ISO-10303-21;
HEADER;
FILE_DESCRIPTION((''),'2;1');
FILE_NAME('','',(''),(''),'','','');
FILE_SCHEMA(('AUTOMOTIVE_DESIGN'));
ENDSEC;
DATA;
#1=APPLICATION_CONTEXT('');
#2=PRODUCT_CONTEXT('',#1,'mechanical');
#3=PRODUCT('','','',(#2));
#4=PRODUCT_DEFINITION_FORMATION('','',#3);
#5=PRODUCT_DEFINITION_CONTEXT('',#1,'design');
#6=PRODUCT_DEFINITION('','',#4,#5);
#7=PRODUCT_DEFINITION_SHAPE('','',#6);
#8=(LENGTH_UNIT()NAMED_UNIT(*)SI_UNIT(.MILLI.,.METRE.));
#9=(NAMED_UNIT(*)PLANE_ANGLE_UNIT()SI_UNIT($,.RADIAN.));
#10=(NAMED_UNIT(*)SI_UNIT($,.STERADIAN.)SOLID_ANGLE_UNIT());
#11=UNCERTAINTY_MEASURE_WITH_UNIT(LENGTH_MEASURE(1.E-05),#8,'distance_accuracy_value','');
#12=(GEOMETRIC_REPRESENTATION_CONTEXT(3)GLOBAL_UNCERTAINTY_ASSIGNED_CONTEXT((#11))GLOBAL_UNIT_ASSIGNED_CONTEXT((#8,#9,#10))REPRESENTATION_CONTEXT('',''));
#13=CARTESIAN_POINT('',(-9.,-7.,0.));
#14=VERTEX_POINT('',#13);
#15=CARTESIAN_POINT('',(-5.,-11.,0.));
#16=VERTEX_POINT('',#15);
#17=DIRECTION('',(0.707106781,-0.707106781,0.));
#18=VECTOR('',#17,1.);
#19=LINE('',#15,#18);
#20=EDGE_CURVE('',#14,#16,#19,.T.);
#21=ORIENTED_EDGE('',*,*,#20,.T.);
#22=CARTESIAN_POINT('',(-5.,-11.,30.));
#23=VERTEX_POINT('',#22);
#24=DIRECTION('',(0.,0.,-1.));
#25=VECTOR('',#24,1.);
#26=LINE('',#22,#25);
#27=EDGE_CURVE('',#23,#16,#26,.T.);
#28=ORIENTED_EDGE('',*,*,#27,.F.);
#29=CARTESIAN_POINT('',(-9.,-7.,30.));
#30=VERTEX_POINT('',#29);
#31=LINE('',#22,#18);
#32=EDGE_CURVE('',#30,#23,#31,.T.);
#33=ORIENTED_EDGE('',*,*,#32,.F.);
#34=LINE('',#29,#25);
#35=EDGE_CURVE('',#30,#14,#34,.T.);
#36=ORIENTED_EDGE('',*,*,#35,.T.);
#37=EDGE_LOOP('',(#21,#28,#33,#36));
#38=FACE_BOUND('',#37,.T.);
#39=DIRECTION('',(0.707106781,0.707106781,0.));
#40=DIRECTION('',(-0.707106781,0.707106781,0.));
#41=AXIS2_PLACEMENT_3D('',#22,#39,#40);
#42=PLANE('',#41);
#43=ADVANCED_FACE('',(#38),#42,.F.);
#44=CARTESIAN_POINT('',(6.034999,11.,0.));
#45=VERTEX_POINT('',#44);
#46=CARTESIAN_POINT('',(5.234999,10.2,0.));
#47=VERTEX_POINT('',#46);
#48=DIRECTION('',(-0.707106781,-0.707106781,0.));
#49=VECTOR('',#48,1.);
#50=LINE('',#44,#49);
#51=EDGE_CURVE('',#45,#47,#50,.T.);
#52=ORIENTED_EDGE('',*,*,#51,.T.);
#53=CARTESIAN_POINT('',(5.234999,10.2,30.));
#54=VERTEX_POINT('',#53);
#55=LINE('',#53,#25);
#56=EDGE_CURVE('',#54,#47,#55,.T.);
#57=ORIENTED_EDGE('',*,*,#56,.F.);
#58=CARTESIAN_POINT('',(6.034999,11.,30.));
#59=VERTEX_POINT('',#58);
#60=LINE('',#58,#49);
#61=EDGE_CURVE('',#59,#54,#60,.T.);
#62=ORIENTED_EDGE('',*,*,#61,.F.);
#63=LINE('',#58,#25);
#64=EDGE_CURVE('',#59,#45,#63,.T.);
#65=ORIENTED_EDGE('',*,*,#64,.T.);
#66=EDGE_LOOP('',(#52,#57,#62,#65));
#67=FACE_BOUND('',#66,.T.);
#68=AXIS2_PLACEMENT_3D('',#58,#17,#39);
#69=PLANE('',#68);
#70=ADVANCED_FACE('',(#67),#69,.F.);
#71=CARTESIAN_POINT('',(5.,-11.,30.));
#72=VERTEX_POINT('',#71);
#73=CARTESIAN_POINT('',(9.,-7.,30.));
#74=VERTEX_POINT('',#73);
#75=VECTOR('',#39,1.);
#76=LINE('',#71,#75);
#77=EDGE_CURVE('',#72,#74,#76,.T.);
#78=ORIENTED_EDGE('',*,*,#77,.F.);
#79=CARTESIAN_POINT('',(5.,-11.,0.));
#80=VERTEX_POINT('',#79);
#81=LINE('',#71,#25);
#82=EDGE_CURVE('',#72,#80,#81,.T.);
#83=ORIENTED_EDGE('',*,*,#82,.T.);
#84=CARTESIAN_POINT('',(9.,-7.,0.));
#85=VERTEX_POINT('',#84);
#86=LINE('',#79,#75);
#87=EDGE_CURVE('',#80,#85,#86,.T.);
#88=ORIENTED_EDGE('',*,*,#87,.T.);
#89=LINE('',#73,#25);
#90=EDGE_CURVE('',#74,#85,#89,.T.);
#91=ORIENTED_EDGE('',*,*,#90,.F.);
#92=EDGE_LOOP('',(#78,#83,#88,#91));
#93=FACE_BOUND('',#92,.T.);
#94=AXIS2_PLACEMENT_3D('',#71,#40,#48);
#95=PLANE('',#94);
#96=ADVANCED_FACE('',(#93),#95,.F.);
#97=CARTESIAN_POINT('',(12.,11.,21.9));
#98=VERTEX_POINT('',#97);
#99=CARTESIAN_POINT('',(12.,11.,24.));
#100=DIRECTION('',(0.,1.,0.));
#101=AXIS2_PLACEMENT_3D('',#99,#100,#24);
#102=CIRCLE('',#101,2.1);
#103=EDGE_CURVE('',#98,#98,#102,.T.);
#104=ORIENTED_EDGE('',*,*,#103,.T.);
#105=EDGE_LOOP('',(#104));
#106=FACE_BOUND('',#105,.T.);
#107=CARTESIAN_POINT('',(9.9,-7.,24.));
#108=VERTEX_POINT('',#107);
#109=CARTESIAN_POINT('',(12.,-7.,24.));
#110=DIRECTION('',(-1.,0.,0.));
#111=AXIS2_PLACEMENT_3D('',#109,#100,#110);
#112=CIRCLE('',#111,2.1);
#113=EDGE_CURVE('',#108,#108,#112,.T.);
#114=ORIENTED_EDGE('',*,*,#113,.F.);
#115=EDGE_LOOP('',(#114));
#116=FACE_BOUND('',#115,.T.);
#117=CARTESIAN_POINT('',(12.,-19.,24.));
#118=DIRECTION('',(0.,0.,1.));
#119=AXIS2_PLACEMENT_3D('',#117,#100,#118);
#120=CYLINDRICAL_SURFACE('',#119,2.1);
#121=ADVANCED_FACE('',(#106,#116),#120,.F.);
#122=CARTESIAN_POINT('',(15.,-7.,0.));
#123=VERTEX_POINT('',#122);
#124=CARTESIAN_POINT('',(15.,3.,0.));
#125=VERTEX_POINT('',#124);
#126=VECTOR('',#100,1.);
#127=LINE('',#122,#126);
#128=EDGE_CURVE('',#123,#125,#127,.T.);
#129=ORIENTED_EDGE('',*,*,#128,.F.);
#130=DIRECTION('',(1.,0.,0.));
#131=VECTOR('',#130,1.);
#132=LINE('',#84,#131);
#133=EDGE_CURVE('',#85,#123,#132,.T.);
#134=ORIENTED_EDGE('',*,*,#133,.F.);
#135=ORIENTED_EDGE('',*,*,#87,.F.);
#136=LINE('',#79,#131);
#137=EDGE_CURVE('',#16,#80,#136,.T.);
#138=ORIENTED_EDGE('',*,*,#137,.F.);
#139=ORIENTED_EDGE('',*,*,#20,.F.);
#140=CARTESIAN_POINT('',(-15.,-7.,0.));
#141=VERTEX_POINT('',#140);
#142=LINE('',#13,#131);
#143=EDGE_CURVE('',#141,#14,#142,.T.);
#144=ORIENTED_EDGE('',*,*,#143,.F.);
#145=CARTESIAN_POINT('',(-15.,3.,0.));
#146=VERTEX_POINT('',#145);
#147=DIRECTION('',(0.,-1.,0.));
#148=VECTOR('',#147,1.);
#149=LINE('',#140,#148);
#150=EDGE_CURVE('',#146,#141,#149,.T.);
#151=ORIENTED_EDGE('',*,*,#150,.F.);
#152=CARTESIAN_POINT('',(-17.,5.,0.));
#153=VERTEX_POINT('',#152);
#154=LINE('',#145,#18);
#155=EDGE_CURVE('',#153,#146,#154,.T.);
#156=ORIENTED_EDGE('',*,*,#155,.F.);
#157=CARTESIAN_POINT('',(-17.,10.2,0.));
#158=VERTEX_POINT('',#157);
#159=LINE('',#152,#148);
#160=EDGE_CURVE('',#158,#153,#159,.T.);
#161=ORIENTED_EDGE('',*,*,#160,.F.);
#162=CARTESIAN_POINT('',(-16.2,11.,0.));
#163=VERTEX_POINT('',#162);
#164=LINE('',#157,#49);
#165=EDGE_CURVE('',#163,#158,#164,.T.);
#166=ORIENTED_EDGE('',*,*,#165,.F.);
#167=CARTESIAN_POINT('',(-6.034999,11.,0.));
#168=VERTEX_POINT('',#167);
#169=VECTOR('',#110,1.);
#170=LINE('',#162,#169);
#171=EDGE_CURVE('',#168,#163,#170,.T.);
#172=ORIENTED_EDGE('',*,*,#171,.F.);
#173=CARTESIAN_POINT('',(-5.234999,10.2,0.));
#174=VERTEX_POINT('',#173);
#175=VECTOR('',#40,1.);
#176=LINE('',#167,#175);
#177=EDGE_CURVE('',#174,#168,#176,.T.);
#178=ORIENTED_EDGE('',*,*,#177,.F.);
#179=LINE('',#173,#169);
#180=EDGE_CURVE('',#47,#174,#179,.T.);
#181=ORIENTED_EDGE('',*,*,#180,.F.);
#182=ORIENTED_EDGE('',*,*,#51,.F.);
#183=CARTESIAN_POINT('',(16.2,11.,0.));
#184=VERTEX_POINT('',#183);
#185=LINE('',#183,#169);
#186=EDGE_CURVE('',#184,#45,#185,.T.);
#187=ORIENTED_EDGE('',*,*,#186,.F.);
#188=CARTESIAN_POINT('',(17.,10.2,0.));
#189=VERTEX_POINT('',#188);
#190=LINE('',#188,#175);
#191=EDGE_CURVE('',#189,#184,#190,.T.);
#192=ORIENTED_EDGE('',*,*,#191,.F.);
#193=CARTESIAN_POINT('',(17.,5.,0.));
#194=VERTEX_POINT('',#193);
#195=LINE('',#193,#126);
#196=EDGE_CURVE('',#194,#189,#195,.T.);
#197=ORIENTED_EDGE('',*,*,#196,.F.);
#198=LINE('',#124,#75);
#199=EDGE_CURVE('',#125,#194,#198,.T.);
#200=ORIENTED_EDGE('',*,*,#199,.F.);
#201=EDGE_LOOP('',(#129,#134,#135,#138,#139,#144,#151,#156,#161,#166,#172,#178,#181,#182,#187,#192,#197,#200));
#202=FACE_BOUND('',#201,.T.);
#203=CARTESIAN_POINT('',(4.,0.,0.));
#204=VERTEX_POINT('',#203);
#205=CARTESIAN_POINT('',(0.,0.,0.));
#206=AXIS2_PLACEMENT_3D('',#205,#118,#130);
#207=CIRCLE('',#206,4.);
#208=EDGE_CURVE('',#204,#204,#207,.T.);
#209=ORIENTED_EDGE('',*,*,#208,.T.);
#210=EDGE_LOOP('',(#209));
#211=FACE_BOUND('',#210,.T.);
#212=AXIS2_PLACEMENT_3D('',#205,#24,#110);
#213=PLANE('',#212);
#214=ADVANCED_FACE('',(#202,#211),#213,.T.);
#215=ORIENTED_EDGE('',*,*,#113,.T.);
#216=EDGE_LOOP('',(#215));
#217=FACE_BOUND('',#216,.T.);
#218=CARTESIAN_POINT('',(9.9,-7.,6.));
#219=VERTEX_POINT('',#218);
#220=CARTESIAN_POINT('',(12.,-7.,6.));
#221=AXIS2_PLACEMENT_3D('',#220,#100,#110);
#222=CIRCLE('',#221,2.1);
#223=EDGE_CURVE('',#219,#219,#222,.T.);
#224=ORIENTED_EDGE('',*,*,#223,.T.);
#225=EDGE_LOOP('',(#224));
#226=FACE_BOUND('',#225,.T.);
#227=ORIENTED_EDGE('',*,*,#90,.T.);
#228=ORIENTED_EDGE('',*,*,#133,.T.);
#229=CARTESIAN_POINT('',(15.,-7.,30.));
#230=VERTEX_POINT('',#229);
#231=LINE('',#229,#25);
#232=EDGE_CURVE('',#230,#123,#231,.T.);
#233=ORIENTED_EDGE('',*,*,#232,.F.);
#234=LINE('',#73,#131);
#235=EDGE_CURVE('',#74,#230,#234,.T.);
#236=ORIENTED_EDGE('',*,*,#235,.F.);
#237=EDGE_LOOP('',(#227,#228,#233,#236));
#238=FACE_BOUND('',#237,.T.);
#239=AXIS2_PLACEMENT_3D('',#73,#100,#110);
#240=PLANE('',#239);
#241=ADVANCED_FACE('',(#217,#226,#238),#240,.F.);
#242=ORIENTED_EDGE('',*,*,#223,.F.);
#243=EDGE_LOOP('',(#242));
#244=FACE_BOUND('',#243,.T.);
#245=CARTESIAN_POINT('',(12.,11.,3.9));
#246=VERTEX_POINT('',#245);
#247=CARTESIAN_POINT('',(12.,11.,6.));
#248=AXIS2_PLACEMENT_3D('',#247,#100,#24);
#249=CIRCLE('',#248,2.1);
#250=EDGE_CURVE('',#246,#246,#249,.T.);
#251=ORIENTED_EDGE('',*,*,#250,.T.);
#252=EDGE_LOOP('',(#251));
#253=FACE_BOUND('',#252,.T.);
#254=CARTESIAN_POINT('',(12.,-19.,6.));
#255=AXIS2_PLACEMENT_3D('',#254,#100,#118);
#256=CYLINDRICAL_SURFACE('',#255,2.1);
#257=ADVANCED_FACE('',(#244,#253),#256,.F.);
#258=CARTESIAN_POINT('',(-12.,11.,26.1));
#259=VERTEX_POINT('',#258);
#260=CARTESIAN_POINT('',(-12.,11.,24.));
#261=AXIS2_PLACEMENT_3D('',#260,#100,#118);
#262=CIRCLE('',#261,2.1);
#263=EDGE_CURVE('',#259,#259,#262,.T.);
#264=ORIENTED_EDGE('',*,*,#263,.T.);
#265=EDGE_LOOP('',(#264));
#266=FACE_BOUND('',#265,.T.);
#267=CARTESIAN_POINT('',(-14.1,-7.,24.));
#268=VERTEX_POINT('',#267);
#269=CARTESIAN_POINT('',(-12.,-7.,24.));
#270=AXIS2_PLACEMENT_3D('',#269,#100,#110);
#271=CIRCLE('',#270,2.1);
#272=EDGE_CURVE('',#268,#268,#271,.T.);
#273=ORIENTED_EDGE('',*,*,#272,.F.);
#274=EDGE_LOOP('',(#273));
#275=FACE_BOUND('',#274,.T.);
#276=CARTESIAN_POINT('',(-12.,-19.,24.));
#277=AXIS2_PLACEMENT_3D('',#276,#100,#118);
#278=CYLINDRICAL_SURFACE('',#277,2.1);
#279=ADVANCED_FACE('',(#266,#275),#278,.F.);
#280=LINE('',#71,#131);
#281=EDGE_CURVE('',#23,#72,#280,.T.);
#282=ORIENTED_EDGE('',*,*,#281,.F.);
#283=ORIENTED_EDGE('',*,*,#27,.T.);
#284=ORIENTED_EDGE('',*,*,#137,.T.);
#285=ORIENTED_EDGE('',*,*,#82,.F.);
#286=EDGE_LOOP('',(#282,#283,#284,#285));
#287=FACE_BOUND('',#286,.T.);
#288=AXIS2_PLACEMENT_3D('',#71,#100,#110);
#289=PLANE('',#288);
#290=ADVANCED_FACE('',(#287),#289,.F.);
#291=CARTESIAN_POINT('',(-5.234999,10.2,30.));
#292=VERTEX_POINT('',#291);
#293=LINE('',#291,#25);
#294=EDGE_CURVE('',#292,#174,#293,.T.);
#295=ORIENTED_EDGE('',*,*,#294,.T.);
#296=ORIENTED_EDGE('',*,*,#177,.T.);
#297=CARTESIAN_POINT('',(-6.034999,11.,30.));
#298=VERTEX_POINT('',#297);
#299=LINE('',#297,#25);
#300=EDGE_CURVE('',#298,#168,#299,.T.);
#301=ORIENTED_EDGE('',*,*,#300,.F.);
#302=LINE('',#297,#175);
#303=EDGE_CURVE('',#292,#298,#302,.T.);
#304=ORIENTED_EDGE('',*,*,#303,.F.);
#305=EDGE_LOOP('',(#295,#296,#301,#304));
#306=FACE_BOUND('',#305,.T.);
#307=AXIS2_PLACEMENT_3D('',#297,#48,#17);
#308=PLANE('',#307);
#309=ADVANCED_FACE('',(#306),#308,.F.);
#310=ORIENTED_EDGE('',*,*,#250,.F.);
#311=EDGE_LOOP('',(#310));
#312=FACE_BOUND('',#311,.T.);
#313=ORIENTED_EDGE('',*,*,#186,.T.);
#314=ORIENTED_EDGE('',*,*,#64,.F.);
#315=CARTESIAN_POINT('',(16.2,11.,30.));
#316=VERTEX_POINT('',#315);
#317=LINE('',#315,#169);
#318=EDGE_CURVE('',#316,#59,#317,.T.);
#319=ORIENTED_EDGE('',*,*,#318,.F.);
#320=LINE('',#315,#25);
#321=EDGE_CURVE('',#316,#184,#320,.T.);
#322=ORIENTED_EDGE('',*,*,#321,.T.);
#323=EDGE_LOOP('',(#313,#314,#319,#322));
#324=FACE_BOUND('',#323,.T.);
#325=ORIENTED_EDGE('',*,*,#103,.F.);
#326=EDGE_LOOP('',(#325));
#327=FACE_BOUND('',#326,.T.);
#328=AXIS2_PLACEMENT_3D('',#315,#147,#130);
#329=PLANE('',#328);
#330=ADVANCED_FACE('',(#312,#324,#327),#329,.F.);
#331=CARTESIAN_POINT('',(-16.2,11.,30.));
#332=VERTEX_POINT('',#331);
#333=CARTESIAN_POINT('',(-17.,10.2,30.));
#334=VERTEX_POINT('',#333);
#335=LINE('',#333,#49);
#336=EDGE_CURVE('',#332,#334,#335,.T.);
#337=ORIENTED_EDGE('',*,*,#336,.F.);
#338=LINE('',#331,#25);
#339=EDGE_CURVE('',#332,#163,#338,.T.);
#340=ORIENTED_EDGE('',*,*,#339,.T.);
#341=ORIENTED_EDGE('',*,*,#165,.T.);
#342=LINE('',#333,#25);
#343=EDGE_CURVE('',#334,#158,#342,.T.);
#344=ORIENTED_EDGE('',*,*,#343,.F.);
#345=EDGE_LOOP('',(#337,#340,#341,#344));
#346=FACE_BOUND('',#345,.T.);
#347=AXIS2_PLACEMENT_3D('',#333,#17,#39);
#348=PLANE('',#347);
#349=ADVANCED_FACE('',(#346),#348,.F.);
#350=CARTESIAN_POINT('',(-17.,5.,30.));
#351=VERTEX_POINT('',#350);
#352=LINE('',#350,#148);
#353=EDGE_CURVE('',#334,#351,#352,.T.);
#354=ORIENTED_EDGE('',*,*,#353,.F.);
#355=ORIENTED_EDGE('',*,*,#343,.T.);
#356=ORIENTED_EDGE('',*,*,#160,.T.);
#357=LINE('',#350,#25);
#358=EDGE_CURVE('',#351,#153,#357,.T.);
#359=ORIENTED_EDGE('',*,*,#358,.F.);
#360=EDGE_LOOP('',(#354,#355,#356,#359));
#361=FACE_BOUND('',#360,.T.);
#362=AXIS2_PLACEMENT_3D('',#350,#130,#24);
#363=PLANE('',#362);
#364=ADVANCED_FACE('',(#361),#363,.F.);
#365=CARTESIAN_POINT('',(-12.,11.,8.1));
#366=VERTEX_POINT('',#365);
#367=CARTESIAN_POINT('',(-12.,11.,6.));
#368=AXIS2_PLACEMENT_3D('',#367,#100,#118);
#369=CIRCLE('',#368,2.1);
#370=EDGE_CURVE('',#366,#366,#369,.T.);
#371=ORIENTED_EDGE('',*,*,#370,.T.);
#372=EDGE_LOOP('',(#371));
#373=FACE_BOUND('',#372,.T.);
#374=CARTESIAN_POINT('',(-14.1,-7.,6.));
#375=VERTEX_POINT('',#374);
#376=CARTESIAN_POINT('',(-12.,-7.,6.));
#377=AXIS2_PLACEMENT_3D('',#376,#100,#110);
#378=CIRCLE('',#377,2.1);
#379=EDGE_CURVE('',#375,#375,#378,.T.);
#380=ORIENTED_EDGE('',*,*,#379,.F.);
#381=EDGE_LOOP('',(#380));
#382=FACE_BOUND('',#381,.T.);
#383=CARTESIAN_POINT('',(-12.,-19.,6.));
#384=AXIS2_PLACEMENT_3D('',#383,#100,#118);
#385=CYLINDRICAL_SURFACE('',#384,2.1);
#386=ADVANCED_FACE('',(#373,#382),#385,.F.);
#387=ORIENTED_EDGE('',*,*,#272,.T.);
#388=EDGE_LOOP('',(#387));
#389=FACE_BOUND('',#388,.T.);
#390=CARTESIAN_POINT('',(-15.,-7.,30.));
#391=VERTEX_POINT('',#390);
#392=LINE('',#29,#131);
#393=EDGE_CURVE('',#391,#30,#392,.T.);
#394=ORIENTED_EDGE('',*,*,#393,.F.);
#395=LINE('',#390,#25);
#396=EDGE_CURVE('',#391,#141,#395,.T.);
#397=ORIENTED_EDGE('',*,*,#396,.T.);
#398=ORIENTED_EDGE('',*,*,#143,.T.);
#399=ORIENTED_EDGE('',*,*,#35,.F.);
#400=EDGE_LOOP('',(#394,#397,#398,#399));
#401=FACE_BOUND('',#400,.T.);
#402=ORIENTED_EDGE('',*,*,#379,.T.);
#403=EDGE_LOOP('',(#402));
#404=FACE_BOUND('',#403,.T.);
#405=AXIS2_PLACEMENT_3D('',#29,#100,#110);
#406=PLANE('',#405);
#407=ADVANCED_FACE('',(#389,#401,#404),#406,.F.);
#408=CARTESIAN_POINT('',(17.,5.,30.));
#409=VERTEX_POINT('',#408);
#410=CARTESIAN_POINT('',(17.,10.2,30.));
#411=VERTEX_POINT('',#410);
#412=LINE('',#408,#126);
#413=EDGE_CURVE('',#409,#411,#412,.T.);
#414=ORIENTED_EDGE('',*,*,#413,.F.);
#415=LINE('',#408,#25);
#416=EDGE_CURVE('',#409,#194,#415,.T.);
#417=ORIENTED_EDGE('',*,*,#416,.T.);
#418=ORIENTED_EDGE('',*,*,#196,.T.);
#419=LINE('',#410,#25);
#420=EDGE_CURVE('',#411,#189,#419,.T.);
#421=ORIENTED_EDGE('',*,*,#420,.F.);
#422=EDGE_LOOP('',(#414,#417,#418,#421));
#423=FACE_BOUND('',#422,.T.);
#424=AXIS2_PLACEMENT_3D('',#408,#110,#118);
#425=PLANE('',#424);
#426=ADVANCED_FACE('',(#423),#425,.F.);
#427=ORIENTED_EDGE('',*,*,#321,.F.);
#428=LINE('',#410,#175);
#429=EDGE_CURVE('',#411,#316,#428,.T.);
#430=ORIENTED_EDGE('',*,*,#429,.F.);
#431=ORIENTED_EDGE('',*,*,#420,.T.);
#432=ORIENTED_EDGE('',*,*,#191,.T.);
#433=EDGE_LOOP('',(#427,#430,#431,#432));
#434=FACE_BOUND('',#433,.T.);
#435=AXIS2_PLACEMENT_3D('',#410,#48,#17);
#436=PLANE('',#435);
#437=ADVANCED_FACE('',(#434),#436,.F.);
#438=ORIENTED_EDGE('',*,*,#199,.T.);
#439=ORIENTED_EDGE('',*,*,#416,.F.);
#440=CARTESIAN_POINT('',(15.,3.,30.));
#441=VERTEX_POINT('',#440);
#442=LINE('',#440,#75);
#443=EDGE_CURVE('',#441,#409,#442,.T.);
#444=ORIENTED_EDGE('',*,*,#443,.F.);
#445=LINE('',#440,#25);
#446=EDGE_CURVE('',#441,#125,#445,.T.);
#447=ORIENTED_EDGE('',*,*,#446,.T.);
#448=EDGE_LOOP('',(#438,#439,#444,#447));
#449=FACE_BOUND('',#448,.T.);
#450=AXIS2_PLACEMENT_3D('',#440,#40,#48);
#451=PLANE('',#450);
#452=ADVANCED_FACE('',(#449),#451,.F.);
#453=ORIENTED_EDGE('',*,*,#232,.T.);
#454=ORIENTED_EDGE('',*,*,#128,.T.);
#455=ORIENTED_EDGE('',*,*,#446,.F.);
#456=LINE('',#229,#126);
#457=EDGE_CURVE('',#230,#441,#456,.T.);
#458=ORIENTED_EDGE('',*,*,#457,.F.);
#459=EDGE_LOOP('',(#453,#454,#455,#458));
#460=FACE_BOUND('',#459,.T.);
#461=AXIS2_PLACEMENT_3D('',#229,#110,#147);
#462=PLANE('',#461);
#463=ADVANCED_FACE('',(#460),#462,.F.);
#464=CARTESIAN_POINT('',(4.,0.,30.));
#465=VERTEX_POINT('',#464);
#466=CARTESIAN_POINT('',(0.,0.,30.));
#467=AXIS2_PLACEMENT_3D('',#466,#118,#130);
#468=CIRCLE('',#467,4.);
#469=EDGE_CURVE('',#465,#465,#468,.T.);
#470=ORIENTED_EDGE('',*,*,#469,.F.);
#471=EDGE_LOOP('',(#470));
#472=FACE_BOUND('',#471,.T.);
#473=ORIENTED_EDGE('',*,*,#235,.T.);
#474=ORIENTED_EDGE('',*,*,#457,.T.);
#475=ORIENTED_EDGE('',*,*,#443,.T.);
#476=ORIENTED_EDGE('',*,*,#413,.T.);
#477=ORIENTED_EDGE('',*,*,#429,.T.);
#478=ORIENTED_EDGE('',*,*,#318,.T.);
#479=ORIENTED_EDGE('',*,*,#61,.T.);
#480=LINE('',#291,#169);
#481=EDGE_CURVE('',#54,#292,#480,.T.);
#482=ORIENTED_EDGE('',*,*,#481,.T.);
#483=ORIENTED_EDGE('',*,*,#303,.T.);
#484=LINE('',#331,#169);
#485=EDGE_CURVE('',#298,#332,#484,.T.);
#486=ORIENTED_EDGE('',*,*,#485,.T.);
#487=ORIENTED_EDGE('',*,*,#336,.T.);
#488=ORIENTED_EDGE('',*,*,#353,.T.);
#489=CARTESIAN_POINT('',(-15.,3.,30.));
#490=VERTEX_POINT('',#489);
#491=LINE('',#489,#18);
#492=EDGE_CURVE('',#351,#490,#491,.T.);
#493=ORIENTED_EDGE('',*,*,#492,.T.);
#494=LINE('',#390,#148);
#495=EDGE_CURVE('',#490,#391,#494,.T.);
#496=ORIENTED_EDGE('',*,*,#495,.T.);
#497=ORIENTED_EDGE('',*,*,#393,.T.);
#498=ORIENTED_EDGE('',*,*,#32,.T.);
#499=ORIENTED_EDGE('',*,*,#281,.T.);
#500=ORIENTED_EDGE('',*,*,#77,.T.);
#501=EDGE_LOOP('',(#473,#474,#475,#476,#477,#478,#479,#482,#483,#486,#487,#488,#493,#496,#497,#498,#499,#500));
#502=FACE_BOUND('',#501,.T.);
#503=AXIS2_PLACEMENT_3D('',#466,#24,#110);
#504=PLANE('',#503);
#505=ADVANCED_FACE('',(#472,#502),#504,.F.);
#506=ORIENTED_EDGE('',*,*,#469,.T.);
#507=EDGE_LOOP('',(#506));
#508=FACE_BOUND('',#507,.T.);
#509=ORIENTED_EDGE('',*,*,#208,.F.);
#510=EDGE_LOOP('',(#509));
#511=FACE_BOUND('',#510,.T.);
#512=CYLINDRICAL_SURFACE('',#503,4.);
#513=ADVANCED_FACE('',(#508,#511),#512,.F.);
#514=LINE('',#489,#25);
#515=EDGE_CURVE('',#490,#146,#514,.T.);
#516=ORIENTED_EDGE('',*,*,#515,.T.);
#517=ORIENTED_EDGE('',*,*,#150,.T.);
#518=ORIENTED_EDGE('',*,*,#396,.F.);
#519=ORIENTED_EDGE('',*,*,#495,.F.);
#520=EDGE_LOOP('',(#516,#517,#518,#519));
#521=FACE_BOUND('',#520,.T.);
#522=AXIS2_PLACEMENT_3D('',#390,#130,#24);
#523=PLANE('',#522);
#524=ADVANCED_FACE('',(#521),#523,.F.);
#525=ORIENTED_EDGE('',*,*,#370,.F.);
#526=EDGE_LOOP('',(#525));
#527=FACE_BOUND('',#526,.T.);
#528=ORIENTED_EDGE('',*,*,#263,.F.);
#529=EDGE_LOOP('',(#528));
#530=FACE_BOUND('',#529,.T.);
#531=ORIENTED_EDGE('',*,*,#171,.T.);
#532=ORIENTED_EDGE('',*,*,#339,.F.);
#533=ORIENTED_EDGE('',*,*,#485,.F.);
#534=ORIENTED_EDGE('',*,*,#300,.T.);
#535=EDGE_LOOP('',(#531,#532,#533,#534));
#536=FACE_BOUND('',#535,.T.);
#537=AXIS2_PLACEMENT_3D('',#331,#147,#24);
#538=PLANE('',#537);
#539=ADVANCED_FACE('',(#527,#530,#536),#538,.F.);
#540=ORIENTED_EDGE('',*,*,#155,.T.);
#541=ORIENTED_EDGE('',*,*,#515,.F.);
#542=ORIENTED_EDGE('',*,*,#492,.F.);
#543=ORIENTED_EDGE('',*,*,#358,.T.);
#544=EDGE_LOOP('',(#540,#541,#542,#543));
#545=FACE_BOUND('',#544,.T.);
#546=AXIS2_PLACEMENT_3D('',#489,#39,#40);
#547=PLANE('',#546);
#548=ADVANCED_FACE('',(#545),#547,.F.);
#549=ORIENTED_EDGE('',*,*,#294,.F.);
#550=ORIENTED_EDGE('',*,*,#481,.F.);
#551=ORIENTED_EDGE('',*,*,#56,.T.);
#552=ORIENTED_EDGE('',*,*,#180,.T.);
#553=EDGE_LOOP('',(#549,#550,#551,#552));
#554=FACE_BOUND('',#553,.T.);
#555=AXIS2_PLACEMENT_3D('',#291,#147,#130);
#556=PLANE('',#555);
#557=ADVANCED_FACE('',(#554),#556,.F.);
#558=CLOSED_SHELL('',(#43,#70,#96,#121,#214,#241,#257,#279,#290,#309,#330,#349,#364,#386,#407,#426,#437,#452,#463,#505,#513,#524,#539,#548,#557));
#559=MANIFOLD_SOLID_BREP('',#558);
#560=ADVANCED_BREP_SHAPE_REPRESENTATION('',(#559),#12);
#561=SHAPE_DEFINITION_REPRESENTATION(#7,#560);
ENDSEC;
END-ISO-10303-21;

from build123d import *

# Parameters (mm, degrees)
SKETCH_1_R          = 4
EXTRUDE_1_DEPTH     = 30
SKETCH_2_R          = 2.1
CUT_EXTRUDE_1_DEPTH = 30


with BuildPart() as part:
    # 草图1 → 凸台-拉伸1 (new body)
    with BuildSketch(Plane.XY):
        Polygon((5, -11), (-5, -11), (-9, -7), (-15, -7), (-15, 3), (-17, 5), (-17, 10.2), (-16.2, 11), (-6.034999107, 11), (-5.234999107, 10.2), (5.234999107, 10.2), (6.034999107, 11), (16.2, 11), (17, 10.2), (17, 5), (15, 3), (15, -7), (9, -7), align=None)
        Circle(SKETCH_1_R, mode=Mode.SUBTRACT)
    extrude(amount=EXTRUDE_1_DEPTH)

    # 草图2 → 切除-拉伸1 (cut)
    with BuildSketch(Plane(origin=(0, 11, 0), x_dir=(1, 0, 0), z_dir=(0, 1, 0))):
        with Locations(Location((-12, -6, 0), (0, 0, 270))):
            Circle(SKETCH_2_R)
        with Locations(Location((-12, -24, 0), (0, 0, 270))):
            Circle(SKETCH_2_R)
        with Locations(Location((12, -6, 0), (0, 0, 180))):
            Circle(SKETCH_2_R)
        with Locations(Location((12, -24, 0), (0, 0, 180))):
            Circle(SKETCH_2_R)
    extrude(amount=-CUT_EXTRUDE_1_DEPTH, mode=Mode.SUBTRACT)


solid = part.part
